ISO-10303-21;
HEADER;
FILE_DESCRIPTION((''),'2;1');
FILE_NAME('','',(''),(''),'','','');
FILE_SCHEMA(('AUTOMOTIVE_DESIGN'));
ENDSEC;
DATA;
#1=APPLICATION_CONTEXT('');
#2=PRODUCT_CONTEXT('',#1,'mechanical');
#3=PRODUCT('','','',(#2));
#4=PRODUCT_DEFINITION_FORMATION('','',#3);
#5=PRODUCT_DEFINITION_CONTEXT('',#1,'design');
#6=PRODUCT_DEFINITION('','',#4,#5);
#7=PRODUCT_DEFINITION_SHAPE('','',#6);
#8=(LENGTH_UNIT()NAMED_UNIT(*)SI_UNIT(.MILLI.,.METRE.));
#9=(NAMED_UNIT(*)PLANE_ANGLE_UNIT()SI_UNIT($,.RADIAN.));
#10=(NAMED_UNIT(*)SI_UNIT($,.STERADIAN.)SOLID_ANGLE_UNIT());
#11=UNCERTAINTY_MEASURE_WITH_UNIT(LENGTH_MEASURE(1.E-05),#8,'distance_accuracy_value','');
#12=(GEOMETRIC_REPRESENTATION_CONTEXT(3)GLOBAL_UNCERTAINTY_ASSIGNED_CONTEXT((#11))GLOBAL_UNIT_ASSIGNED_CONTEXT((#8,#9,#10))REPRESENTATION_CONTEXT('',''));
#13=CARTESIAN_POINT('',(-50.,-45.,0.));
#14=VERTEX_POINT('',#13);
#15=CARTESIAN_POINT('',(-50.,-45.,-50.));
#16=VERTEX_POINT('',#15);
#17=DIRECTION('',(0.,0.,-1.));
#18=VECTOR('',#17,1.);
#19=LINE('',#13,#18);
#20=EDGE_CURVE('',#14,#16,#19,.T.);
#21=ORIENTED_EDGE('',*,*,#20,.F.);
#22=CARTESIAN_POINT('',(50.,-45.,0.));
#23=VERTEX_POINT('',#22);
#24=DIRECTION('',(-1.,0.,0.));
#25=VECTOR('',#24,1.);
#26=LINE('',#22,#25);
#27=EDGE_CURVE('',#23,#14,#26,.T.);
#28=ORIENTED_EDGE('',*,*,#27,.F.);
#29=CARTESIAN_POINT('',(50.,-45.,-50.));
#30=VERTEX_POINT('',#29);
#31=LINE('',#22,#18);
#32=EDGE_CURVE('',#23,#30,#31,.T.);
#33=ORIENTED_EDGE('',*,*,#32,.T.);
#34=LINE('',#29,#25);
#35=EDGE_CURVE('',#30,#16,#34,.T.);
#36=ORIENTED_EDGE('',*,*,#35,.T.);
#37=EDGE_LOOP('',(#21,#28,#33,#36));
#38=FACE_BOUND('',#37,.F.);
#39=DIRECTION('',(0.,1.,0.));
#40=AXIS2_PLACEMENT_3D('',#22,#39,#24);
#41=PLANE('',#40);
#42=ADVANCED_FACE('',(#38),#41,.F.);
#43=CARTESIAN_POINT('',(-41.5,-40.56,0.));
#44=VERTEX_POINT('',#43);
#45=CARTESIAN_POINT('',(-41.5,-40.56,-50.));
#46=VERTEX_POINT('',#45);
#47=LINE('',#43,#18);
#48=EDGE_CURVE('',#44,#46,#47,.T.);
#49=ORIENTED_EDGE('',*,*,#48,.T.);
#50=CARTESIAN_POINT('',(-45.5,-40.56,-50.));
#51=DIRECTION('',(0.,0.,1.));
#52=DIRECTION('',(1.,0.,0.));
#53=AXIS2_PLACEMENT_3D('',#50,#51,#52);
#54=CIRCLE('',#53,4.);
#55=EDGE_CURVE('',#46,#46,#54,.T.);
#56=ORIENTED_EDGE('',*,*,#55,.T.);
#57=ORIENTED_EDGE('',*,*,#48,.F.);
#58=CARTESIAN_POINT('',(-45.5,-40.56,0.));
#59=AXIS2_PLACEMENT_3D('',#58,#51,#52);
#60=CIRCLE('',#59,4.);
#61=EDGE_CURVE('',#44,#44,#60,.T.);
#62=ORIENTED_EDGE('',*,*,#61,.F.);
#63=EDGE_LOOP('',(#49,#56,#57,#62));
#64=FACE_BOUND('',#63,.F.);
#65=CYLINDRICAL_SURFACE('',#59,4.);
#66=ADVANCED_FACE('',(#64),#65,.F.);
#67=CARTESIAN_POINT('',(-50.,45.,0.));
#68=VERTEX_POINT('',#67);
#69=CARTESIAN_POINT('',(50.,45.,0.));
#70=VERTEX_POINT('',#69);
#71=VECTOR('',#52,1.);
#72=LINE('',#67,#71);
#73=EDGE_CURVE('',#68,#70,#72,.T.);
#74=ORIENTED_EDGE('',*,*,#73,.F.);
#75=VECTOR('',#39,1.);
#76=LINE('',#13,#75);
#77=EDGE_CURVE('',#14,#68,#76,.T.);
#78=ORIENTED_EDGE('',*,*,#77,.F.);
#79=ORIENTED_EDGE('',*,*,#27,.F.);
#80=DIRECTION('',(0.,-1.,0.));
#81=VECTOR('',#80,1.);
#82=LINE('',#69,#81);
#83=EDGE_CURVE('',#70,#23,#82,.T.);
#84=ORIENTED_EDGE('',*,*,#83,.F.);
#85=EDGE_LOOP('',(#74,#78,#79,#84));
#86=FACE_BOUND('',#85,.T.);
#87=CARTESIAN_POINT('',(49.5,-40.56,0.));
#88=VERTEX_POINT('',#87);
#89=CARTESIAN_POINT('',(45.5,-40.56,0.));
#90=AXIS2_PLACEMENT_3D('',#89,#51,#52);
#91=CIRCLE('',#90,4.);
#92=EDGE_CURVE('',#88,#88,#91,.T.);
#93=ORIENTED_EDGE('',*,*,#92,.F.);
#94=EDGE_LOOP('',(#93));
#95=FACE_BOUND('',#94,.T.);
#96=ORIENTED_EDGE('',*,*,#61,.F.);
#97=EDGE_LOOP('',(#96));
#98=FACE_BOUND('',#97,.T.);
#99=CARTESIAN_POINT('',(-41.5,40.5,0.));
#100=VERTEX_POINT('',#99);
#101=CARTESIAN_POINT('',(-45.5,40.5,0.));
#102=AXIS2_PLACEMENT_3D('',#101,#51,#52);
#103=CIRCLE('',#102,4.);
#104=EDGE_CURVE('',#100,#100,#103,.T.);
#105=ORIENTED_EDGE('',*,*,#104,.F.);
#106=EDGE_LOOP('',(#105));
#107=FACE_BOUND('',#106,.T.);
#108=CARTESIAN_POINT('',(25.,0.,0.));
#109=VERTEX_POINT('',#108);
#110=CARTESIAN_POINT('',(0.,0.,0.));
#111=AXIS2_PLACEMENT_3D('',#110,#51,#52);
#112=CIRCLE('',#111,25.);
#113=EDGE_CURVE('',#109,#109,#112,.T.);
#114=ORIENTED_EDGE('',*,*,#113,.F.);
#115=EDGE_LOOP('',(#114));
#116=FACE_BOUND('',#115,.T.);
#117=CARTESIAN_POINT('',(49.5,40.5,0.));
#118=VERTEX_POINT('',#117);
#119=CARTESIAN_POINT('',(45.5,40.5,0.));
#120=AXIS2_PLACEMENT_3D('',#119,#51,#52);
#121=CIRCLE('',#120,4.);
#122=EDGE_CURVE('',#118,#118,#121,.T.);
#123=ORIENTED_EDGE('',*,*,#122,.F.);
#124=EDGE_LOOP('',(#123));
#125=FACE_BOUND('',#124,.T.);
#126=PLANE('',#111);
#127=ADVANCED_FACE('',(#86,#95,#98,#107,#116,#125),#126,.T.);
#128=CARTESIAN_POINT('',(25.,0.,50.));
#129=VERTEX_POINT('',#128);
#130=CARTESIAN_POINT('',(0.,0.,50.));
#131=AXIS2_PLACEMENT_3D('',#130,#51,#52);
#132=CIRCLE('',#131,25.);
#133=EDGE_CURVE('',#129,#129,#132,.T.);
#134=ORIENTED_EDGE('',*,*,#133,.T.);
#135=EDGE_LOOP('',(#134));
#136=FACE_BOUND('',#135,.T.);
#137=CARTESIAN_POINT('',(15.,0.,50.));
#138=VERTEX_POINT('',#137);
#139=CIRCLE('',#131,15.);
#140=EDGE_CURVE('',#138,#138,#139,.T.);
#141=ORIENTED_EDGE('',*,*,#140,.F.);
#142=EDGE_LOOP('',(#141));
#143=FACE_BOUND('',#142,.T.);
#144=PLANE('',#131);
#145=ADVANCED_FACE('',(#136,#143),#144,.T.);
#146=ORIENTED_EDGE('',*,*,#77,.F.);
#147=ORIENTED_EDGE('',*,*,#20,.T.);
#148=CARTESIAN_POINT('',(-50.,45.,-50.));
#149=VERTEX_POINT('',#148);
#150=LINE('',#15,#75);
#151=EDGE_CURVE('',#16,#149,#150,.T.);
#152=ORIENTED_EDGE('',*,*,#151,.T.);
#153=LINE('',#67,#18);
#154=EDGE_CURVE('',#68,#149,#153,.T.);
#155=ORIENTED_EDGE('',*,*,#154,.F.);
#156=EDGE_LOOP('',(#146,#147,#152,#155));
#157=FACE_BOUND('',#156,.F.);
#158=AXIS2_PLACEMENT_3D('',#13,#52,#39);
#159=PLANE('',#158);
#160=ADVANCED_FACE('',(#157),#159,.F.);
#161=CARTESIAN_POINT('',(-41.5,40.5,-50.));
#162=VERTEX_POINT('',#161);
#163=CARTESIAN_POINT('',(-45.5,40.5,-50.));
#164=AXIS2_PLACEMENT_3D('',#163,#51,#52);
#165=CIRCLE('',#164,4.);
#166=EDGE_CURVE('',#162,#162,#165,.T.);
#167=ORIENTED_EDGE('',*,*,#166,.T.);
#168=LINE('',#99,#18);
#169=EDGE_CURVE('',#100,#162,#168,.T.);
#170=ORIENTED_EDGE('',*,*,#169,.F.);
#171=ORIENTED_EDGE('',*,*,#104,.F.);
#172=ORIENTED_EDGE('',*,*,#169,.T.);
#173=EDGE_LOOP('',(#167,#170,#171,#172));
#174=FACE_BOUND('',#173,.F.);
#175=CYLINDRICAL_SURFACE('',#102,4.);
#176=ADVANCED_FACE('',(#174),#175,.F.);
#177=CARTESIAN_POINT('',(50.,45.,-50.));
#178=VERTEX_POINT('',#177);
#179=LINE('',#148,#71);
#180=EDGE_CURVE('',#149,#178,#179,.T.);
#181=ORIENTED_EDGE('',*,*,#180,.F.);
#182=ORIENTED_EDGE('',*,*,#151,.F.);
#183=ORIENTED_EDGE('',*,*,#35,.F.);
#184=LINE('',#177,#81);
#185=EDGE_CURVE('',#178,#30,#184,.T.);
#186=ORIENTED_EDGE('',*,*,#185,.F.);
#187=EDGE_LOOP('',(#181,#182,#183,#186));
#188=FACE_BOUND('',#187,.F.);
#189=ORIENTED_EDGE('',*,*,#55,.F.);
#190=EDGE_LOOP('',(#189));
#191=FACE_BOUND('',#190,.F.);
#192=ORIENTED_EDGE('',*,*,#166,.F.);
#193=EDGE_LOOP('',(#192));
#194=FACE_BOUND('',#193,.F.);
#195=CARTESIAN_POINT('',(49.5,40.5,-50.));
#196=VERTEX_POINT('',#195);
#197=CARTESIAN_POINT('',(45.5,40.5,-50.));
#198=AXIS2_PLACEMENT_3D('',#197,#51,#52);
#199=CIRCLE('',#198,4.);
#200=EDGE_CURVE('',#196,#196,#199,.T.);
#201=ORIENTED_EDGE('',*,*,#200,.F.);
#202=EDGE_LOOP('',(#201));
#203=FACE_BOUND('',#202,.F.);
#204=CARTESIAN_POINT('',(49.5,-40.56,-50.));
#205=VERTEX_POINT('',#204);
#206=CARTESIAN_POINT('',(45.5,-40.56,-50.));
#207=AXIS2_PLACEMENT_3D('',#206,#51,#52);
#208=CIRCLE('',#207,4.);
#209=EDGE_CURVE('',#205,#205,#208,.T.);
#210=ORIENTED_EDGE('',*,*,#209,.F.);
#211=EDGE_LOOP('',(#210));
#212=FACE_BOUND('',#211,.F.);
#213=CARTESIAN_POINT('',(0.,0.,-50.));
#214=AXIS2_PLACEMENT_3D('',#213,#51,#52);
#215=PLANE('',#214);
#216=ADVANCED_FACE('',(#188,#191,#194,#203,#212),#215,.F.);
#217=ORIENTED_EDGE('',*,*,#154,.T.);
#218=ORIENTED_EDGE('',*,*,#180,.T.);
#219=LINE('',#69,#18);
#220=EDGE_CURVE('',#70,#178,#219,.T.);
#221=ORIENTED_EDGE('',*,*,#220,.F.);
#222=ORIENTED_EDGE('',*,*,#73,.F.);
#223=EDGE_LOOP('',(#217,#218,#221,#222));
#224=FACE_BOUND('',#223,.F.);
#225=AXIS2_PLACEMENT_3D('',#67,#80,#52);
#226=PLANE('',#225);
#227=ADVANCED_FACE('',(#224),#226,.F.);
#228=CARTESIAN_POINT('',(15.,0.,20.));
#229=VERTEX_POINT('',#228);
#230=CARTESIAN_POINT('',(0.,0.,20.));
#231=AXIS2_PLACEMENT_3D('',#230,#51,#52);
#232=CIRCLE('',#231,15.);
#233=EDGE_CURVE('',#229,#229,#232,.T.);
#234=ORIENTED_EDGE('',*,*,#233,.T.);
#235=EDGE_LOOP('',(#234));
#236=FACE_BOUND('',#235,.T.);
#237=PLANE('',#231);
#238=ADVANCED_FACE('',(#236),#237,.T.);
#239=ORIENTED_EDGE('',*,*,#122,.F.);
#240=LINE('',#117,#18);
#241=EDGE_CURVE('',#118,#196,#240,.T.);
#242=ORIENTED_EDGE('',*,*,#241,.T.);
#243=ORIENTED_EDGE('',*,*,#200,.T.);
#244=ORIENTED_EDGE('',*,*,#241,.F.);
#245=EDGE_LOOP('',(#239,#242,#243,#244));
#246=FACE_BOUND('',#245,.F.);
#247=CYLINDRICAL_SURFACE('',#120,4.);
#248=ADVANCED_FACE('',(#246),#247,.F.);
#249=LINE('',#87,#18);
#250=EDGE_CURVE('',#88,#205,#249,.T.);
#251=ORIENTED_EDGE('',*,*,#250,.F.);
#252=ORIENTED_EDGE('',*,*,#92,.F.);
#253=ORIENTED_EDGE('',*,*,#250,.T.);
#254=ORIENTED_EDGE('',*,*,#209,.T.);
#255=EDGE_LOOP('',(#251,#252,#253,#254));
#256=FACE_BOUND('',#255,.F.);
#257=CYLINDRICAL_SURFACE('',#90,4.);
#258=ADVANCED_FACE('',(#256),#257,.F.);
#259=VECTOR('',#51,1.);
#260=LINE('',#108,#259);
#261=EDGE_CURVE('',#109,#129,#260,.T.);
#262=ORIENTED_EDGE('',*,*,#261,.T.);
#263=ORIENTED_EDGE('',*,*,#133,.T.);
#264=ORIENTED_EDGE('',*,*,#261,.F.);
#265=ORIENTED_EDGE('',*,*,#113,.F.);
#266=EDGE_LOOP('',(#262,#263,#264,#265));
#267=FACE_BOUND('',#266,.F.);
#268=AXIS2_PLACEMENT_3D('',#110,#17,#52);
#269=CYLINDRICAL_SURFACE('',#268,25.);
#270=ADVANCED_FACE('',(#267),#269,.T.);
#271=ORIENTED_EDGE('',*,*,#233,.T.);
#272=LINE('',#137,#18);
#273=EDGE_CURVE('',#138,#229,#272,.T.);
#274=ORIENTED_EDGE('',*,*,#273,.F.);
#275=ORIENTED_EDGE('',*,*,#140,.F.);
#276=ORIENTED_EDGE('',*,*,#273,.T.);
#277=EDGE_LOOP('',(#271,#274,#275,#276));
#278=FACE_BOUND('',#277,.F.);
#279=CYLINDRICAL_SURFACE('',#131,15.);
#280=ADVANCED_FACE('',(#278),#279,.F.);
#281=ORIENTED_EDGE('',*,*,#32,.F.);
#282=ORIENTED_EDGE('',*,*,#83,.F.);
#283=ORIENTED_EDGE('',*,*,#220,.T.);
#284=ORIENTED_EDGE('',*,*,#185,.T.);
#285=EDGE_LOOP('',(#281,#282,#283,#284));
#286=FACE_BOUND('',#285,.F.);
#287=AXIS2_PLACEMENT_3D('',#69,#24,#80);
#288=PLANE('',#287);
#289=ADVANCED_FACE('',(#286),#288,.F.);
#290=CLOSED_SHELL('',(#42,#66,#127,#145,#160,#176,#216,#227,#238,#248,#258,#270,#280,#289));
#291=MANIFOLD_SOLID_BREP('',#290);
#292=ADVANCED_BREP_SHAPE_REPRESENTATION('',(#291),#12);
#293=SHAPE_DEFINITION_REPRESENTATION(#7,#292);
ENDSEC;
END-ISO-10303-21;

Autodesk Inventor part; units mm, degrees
ref_plane "YZ Plane" through (0, 0, 0) normal (1, 0, 0) x (0, 1, 0)
ref_plane "XZ Plane" through (0, 0, 0) normal (0, 1, 0) x (-1, 0, 0)
ref_plane "XY Plane" through (0, 0, 0) normal (0, 0, 1) x (1, 0, 0)
sketch "Sketch1" plane through (0, 0, 0) normal (0, 0, 1) x (1, 0, 0)
  line L0 (-50, 45) -> (50, 45)
  line L1 (50, 45) -> (50, -45)
  line L2 (50, -45) -> (-50, -45)
  line L3 (-50, -45) -> (-50, 45)
  line L4 (-50, 45) -> (50, -45) construction
  line L5 (50, 45) -> (-50, -45) construction
  point P0 (0, 0)
extrude "Extrusion1" add sketch "Sketch1" against normal blind 50
sketch "Sketch2" plane through (0, 0, 0) normal (0, 0, 1) x (1, 0, 0)
  circle A0 centre (0, 0) radius 25
extrude "Extrusion2" add sketch "Sketch2" along normal blind 50
sketch "Sketch3" plane through (0, 0, 50) normal (0, 0, 1) x (1, 0, 0)
  circle A0 centre (0, 0) radius 15
extrude "Extrusion3" cut sketch "Sketch3" against normal blind 30
thread "Thread1" size "M50x4" class "6H" standard "ANSI Metric M Profile" full length
sketch "Sketch4" plane through (0, 0, 0) normal (0, 0, 1) x (1, 0, 0)
  line L0 (-50, 45) -> (50, 45) projected
  line L1 (-50, 45) -> (-41, 45)
  line L2 (-50, 36) -> (-50, 45)
  line L3 (50, 45) -> (41, 45)
  line L4 (50, 36) -> (50, 45)
  line L5 (50, -45.06) -> (41, -45.06)
  line L6 (50, -36.06) -> (50, -45.06)
  line L7 (-50, -45.06) -> (-41, -45.06)
  line L8 (-50, -36.06) -> (-50, -45.06)
  circle A0 centre (-45.5, 40.5) radius 4
  circle A1 centre (45.5, 40.5) radius 4
  circle A2 centre (45.5, -40.56) radius 4
  circle A3 centre (-45.5, -40.56) radius 4
  point P0 (0, 0)
extrude "Extrusion4" cut sketch "Sketch4" against normal through all
equation "\"BendRadius\" = Thickness"
equation "\"BendReliefWidth\" = Thickness"
equation "\"BendReliefDepth\" = 0.5 * Thickness"
equation "\"CornerReliefSize\" = 4 * Thickness"
equation "\"MinimumRemnant\" = 2 * Thickness"
equation "\"TransitionRadius\" = BendRadius"
equation "\"JacobiRadiusSize\" = BendRadius"
equation "\"GapSize\" = Thickness"
equation "\"Thickness\" = 3.048"
properties part number "Practica 1 Sofia Lopez"
